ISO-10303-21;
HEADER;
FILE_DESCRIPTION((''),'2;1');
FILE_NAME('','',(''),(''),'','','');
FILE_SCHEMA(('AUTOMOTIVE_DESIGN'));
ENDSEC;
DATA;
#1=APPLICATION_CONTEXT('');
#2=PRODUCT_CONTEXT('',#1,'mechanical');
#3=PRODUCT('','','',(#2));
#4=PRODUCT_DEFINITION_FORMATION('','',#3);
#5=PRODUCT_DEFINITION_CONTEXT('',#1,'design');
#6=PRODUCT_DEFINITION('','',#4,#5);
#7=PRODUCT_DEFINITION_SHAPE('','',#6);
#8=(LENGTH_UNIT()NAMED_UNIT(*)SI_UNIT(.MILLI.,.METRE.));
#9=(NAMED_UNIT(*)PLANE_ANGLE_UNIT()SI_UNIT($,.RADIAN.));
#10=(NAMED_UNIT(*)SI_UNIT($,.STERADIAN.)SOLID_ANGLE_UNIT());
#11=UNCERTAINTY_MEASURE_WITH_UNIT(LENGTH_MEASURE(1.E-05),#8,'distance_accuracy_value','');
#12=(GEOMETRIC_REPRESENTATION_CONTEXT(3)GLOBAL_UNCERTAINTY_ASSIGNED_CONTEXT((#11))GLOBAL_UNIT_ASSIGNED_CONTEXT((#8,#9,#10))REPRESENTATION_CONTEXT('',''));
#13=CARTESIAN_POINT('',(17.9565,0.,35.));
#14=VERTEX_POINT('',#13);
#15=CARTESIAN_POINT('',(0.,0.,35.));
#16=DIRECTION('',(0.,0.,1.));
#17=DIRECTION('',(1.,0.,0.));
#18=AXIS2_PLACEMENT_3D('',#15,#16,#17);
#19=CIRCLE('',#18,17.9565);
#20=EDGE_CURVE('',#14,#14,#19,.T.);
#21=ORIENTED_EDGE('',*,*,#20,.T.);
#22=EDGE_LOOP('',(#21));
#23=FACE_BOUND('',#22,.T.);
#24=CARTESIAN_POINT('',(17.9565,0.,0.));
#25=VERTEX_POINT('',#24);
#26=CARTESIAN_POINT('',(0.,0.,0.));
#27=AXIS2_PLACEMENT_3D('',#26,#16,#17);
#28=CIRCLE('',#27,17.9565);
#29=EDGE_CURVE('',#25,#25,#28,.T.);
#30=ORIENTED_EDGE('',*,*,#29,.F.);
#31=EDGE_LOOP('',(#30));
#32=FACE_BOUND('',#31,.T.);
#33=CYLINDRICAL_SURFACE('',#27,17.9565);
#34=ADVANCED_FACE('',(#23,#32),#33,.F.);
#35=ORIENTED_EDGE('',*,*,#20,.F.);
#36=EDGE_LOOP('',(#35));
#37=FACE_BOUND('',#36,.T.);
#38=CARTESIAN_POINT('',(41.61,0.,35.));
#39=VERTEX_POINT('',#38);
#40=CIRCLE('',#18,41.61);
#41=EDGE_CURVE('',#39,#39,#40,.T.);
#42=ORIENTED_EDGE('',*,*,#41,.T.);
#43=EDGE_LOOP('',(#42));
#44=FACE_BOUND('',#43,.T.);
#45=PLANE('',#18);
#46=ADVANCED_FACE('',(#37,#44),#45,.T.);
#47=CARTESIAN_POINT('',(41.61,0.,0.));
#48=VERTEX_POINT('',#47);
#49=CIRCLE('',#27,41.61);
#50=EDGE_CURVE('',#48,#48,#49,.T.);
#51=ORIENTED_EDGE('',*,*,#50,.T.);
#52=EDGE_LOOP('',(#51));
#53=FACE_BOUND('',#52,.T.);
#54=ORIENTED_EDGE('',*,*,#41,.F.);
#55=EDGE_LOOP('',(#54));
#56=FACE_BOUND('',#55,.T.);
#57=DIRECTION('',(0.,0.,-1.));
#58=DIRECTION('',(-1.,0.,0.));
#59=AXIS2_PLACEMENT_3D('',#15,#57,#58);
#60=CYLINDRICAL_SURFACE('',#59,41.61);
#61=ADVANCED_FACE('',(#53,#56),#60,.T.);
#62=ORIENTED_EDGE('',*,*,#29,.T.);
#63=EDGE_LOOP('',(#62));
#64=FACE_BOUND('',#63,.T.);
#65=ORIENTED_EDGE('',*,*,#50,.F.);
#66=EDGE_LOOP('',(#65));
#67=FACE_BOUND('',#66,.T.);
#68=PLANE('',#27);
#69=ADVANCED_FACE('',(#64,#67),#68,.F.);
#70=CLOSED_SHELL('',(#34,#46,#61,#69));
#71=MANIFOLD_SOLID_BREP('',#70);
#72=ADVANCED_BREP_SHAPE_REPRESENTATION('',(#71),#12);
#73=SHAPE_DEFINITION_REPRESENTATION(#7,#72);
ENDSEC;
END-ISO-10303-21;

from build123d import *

# Parameters (mm, degrees)
SKETCH1_R           = 41.61
BOSS_EXTRUDE1_DEPTH = 35
SKETCH2_R           = 17.9565
CUT_EXTRUDE1_DEPTH  = 35


with BuildPart() as part:
    # Sketch1 → Boss-Extrude1 (new body)
    with BuildSketch(Plane.XY):
        Circle(SKETCH1_R)
    extrude(amount=BOSS_EXTRUDE1_DEPTH)

    # Sketch2 → Cut-Extrude1 (cut)
    with BuildSketch(Plane.XY.offset(35)):
        Circle(SKETCH2_R)
    extrude(amount=-CUT_EXTRUDE1_DEPTH, mode=Mode.SUBTRACT)


solid = part.part
